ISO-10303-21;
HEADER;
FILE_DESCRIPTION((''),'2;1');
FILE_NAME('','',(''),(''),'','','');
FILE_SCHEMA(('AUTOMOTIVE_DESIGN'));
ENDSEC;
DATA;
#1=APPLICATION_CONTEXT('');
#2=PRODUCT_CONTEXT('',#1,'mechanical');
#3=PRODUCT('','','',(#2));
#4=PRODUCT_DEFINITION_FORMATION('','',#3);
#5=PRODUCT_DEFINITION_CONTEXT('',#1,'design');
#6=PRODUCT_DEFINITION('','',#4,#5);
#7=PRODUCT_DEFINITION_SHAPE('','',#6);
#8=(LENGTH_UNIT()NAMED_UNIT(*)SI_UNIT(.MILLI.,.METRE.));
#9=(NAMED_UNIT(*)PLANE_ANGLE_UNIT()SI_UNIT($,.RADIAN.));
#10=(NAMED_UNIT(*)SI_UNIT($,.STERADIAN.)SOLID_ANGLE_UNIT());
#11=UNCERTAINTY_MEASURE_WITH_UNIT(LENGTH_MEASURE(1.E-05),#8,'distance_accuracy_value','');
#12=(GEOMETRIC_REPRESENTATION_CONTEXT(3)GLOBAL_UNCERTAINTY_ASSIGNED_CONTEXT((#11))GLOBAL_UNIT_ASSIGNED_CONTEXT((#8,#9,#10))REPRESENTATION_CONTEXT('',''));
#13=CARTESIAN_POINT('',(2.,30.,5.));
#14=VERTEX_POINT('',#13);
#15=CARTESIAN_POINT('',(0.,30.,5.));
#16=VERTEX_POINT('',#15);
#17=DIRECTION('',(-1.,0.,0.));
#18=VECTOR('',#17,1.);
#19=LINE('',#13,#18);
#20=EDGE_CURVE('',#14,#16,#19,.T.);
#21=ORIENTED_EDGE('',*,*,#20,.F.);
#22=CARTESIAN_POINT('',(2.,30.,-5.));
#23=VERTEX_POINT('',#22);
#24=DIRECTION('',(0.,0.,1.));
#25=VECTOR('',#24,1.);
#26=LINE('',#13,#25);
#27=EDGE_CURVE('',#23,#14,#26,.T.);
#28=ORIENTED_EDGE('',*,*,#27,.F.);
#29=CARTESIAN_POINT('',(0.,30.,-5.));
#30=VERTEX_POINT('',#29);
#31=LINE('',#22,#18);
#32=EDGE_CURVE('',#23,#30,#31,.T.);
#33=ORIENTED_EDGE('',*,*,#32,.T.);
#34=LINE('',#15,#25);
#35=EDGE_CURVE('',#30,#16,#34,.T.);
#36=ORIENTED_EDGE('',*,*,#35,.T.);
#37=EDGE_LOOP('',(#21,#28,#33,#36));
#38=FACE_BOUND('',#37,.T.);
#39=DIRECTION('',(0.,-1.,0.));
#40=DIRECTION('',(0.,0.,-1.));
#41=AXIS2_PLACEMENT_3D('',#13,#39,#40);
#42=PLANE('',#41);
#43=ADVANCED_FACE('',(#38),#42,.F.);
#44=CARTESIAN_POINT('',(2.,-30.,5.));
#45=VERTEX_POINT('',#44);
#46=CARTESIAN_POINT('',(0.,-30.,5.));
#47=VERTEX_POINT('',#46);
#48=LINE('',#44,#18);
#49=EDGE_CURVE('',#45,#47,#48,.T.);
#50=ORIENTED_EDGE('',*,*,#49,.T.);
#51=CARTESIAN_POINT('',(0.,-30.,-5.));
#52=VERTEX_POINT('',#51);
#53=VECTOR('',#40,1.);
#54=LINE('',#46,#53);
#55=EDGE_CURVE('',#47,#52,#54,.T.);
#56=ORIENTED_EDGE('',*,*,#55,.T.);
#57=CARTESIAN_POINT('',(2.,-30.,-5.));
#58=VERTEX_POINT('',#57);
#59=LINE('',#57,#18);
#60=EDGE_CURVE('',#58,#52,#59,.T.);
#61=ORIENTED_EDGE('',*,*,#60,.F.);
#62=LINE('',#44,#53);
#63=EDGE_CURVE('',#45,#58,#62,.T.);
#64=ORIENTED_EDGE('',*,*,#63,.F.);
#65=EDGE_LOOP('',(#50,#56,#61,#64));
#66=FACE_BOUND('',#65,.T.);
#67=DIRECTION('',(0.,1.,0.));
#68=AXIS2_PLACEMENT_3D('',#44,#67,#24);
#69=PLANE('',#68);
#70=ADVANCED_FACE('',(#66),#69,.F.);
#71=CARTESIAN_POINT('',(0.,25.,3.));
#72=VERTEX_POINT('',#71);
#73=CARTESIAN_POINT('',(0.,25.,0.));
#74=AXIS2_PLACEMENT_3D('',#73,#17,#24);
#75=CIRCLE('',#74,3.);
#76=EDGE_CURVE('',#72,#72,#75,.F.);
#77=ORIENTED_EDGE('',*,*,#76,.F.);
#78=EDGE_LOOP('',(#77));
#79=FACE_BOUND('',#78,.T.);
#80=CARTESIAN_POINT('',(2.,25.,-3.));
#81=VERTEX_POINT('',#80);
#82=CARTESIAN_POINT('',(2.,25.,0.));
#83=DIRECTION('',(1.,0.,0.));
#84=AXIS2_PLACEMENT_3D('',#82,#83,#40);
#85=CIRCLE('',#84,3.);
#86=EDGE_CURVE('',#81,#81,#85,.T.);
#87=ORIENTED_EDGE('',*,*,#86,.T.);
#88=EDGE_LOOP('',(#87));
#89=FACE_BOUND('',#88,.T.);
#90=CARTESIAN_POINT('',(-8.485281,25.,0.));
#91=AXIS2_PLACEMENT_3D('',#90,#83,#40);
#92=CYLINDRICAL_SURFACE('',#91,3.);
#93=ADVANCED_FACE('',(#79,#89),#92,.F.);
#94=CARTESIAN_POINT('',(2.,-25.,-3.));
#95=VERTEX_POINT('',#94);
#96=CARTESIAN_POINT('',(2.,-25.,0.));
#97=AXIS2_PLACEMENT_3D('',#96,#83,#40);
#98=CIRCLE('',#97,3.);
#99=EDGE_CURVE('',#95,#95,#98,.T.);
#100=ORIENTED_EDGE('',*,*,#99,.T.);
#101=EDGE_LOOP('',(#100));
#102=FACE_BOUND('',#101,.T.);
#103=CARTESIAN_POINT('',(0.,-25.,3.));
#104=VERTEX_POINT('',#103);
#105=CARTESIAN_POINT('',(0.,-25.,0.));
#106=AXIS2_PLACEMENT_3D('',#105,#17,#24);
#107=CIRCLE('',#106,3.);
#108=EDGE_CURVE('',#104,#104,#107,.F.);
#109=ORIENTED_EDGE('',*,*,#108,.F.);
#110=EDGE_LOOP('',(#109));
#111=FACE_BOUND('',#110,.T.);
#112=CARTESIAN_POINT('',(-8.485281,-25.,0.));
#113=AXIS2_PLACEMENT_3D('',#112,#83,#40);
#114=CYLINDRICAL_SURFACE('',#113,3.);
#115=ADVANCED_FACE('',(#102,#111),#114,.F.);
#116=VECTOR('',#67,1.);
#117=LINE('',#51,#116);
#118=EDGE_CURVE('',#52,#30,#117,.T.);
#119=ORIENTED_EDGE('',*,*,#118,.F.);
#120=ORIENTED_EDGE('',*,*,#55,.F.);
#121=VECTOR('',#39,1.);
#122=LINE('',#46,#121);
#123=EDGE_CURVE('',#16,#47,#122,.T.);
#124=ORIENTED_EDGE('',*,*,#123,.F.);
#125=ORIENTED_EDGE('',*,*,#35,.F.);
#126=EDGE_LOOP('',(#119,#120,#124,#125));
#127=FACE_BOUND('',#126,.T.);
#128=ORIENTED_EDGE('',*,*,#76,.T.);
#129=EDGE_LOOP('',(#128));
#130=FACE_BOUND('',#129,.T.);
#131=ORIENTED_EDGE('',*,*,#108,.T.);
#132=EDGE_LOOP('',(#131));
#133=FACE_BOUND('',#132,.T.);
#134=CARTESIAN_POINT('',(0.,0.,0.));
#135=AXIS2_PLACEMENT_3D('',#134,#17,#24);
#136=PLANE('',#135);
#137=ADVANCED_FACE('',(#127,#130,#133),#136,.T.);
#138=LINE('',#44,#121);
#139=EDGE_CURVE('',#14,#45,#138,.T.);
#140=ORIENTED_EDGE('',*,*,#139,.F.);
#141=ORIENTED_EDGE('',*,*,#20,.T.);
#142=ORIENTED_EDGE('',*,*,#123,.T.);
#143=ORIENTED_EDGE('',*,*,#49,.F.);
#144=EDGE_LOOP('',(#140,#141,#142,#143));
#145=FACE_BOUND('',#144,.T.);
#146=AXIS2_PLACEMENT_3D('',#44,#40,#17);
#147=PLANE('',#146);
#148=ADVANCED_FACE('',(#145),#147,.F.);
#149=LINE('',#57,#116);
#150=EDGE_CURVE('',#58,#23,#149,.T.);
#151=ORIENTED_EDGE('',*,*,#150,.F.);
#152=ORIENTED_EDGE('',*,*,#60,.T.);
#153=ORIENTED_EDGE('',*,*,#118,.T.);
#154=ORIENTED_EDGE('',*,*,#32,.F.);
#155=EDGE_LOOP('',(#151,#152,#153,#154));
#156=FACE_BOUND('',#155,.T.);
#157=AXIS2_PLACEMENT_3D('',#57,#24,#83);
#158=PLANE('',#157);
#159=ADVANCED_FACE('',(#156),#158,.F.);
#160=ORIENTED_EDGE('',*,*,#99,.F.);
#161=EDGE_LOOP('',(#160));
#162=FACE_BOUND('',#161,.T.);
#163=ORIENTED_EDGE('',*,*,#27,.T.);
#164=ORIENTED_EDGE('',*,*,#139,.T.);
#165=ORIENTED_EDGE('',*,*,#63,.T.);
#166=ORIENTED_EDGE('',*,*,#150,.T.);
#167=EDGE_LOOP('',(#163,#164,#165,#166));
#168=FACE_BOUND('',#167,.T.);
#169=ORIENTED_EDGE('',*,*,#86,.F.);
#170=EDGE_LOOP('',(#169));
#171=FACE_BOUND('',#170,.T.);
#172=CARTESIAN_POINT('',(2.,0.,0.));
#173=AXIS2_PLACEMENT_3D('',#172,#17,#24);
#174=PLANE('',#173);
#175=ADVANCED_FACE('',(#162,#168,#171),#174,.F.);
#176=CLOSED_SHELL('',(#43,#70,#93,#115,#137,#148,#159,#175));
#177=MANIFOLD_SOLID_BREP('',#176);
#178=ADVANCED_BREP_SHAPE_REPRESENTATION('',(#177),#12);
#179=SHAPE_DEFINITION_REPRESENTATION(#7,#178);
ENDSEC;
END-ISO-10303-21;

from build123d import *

# Parameters (mm, degrees)
SKETCH1_W           = 10
SKETCH1_H           = 60
BOSS_EXTRUDE1_DEPTH = 2
SKETCH2_R           = 3
CUT_EXTRUDE1_DEPTH  = 2


with BuildPart() as part:
    # Sketch1 → Boss-Extrude1 (new body)
    with BuildSketch(Plane(origin=(0, 0, 0), x_dir=(0, 0, -1), z_dir=(1, 0, 0))):
        Rectangle(SKETCH1_W, SKETCH1_H)
    extrude(amount=BOSS_EXTRUDE1_DEPTH)

    # Sketch2 → Cut-Extrude1 (cut)
    with BuildSketch(Plane(origin=(2, 0, 0), x_dir=(0, 0, -1), z_dir=(1, 0, 0))):
        with Locations((0, -25)):
            Circle(SKETCH2_R)
        with Locations((0, 25)):
            Circle(SKETCH2_R)
    extrude(amount=-CUT_EXTRUDE1_DEPTH, mode=Mode.SUBTRACT)


solid = part.part
